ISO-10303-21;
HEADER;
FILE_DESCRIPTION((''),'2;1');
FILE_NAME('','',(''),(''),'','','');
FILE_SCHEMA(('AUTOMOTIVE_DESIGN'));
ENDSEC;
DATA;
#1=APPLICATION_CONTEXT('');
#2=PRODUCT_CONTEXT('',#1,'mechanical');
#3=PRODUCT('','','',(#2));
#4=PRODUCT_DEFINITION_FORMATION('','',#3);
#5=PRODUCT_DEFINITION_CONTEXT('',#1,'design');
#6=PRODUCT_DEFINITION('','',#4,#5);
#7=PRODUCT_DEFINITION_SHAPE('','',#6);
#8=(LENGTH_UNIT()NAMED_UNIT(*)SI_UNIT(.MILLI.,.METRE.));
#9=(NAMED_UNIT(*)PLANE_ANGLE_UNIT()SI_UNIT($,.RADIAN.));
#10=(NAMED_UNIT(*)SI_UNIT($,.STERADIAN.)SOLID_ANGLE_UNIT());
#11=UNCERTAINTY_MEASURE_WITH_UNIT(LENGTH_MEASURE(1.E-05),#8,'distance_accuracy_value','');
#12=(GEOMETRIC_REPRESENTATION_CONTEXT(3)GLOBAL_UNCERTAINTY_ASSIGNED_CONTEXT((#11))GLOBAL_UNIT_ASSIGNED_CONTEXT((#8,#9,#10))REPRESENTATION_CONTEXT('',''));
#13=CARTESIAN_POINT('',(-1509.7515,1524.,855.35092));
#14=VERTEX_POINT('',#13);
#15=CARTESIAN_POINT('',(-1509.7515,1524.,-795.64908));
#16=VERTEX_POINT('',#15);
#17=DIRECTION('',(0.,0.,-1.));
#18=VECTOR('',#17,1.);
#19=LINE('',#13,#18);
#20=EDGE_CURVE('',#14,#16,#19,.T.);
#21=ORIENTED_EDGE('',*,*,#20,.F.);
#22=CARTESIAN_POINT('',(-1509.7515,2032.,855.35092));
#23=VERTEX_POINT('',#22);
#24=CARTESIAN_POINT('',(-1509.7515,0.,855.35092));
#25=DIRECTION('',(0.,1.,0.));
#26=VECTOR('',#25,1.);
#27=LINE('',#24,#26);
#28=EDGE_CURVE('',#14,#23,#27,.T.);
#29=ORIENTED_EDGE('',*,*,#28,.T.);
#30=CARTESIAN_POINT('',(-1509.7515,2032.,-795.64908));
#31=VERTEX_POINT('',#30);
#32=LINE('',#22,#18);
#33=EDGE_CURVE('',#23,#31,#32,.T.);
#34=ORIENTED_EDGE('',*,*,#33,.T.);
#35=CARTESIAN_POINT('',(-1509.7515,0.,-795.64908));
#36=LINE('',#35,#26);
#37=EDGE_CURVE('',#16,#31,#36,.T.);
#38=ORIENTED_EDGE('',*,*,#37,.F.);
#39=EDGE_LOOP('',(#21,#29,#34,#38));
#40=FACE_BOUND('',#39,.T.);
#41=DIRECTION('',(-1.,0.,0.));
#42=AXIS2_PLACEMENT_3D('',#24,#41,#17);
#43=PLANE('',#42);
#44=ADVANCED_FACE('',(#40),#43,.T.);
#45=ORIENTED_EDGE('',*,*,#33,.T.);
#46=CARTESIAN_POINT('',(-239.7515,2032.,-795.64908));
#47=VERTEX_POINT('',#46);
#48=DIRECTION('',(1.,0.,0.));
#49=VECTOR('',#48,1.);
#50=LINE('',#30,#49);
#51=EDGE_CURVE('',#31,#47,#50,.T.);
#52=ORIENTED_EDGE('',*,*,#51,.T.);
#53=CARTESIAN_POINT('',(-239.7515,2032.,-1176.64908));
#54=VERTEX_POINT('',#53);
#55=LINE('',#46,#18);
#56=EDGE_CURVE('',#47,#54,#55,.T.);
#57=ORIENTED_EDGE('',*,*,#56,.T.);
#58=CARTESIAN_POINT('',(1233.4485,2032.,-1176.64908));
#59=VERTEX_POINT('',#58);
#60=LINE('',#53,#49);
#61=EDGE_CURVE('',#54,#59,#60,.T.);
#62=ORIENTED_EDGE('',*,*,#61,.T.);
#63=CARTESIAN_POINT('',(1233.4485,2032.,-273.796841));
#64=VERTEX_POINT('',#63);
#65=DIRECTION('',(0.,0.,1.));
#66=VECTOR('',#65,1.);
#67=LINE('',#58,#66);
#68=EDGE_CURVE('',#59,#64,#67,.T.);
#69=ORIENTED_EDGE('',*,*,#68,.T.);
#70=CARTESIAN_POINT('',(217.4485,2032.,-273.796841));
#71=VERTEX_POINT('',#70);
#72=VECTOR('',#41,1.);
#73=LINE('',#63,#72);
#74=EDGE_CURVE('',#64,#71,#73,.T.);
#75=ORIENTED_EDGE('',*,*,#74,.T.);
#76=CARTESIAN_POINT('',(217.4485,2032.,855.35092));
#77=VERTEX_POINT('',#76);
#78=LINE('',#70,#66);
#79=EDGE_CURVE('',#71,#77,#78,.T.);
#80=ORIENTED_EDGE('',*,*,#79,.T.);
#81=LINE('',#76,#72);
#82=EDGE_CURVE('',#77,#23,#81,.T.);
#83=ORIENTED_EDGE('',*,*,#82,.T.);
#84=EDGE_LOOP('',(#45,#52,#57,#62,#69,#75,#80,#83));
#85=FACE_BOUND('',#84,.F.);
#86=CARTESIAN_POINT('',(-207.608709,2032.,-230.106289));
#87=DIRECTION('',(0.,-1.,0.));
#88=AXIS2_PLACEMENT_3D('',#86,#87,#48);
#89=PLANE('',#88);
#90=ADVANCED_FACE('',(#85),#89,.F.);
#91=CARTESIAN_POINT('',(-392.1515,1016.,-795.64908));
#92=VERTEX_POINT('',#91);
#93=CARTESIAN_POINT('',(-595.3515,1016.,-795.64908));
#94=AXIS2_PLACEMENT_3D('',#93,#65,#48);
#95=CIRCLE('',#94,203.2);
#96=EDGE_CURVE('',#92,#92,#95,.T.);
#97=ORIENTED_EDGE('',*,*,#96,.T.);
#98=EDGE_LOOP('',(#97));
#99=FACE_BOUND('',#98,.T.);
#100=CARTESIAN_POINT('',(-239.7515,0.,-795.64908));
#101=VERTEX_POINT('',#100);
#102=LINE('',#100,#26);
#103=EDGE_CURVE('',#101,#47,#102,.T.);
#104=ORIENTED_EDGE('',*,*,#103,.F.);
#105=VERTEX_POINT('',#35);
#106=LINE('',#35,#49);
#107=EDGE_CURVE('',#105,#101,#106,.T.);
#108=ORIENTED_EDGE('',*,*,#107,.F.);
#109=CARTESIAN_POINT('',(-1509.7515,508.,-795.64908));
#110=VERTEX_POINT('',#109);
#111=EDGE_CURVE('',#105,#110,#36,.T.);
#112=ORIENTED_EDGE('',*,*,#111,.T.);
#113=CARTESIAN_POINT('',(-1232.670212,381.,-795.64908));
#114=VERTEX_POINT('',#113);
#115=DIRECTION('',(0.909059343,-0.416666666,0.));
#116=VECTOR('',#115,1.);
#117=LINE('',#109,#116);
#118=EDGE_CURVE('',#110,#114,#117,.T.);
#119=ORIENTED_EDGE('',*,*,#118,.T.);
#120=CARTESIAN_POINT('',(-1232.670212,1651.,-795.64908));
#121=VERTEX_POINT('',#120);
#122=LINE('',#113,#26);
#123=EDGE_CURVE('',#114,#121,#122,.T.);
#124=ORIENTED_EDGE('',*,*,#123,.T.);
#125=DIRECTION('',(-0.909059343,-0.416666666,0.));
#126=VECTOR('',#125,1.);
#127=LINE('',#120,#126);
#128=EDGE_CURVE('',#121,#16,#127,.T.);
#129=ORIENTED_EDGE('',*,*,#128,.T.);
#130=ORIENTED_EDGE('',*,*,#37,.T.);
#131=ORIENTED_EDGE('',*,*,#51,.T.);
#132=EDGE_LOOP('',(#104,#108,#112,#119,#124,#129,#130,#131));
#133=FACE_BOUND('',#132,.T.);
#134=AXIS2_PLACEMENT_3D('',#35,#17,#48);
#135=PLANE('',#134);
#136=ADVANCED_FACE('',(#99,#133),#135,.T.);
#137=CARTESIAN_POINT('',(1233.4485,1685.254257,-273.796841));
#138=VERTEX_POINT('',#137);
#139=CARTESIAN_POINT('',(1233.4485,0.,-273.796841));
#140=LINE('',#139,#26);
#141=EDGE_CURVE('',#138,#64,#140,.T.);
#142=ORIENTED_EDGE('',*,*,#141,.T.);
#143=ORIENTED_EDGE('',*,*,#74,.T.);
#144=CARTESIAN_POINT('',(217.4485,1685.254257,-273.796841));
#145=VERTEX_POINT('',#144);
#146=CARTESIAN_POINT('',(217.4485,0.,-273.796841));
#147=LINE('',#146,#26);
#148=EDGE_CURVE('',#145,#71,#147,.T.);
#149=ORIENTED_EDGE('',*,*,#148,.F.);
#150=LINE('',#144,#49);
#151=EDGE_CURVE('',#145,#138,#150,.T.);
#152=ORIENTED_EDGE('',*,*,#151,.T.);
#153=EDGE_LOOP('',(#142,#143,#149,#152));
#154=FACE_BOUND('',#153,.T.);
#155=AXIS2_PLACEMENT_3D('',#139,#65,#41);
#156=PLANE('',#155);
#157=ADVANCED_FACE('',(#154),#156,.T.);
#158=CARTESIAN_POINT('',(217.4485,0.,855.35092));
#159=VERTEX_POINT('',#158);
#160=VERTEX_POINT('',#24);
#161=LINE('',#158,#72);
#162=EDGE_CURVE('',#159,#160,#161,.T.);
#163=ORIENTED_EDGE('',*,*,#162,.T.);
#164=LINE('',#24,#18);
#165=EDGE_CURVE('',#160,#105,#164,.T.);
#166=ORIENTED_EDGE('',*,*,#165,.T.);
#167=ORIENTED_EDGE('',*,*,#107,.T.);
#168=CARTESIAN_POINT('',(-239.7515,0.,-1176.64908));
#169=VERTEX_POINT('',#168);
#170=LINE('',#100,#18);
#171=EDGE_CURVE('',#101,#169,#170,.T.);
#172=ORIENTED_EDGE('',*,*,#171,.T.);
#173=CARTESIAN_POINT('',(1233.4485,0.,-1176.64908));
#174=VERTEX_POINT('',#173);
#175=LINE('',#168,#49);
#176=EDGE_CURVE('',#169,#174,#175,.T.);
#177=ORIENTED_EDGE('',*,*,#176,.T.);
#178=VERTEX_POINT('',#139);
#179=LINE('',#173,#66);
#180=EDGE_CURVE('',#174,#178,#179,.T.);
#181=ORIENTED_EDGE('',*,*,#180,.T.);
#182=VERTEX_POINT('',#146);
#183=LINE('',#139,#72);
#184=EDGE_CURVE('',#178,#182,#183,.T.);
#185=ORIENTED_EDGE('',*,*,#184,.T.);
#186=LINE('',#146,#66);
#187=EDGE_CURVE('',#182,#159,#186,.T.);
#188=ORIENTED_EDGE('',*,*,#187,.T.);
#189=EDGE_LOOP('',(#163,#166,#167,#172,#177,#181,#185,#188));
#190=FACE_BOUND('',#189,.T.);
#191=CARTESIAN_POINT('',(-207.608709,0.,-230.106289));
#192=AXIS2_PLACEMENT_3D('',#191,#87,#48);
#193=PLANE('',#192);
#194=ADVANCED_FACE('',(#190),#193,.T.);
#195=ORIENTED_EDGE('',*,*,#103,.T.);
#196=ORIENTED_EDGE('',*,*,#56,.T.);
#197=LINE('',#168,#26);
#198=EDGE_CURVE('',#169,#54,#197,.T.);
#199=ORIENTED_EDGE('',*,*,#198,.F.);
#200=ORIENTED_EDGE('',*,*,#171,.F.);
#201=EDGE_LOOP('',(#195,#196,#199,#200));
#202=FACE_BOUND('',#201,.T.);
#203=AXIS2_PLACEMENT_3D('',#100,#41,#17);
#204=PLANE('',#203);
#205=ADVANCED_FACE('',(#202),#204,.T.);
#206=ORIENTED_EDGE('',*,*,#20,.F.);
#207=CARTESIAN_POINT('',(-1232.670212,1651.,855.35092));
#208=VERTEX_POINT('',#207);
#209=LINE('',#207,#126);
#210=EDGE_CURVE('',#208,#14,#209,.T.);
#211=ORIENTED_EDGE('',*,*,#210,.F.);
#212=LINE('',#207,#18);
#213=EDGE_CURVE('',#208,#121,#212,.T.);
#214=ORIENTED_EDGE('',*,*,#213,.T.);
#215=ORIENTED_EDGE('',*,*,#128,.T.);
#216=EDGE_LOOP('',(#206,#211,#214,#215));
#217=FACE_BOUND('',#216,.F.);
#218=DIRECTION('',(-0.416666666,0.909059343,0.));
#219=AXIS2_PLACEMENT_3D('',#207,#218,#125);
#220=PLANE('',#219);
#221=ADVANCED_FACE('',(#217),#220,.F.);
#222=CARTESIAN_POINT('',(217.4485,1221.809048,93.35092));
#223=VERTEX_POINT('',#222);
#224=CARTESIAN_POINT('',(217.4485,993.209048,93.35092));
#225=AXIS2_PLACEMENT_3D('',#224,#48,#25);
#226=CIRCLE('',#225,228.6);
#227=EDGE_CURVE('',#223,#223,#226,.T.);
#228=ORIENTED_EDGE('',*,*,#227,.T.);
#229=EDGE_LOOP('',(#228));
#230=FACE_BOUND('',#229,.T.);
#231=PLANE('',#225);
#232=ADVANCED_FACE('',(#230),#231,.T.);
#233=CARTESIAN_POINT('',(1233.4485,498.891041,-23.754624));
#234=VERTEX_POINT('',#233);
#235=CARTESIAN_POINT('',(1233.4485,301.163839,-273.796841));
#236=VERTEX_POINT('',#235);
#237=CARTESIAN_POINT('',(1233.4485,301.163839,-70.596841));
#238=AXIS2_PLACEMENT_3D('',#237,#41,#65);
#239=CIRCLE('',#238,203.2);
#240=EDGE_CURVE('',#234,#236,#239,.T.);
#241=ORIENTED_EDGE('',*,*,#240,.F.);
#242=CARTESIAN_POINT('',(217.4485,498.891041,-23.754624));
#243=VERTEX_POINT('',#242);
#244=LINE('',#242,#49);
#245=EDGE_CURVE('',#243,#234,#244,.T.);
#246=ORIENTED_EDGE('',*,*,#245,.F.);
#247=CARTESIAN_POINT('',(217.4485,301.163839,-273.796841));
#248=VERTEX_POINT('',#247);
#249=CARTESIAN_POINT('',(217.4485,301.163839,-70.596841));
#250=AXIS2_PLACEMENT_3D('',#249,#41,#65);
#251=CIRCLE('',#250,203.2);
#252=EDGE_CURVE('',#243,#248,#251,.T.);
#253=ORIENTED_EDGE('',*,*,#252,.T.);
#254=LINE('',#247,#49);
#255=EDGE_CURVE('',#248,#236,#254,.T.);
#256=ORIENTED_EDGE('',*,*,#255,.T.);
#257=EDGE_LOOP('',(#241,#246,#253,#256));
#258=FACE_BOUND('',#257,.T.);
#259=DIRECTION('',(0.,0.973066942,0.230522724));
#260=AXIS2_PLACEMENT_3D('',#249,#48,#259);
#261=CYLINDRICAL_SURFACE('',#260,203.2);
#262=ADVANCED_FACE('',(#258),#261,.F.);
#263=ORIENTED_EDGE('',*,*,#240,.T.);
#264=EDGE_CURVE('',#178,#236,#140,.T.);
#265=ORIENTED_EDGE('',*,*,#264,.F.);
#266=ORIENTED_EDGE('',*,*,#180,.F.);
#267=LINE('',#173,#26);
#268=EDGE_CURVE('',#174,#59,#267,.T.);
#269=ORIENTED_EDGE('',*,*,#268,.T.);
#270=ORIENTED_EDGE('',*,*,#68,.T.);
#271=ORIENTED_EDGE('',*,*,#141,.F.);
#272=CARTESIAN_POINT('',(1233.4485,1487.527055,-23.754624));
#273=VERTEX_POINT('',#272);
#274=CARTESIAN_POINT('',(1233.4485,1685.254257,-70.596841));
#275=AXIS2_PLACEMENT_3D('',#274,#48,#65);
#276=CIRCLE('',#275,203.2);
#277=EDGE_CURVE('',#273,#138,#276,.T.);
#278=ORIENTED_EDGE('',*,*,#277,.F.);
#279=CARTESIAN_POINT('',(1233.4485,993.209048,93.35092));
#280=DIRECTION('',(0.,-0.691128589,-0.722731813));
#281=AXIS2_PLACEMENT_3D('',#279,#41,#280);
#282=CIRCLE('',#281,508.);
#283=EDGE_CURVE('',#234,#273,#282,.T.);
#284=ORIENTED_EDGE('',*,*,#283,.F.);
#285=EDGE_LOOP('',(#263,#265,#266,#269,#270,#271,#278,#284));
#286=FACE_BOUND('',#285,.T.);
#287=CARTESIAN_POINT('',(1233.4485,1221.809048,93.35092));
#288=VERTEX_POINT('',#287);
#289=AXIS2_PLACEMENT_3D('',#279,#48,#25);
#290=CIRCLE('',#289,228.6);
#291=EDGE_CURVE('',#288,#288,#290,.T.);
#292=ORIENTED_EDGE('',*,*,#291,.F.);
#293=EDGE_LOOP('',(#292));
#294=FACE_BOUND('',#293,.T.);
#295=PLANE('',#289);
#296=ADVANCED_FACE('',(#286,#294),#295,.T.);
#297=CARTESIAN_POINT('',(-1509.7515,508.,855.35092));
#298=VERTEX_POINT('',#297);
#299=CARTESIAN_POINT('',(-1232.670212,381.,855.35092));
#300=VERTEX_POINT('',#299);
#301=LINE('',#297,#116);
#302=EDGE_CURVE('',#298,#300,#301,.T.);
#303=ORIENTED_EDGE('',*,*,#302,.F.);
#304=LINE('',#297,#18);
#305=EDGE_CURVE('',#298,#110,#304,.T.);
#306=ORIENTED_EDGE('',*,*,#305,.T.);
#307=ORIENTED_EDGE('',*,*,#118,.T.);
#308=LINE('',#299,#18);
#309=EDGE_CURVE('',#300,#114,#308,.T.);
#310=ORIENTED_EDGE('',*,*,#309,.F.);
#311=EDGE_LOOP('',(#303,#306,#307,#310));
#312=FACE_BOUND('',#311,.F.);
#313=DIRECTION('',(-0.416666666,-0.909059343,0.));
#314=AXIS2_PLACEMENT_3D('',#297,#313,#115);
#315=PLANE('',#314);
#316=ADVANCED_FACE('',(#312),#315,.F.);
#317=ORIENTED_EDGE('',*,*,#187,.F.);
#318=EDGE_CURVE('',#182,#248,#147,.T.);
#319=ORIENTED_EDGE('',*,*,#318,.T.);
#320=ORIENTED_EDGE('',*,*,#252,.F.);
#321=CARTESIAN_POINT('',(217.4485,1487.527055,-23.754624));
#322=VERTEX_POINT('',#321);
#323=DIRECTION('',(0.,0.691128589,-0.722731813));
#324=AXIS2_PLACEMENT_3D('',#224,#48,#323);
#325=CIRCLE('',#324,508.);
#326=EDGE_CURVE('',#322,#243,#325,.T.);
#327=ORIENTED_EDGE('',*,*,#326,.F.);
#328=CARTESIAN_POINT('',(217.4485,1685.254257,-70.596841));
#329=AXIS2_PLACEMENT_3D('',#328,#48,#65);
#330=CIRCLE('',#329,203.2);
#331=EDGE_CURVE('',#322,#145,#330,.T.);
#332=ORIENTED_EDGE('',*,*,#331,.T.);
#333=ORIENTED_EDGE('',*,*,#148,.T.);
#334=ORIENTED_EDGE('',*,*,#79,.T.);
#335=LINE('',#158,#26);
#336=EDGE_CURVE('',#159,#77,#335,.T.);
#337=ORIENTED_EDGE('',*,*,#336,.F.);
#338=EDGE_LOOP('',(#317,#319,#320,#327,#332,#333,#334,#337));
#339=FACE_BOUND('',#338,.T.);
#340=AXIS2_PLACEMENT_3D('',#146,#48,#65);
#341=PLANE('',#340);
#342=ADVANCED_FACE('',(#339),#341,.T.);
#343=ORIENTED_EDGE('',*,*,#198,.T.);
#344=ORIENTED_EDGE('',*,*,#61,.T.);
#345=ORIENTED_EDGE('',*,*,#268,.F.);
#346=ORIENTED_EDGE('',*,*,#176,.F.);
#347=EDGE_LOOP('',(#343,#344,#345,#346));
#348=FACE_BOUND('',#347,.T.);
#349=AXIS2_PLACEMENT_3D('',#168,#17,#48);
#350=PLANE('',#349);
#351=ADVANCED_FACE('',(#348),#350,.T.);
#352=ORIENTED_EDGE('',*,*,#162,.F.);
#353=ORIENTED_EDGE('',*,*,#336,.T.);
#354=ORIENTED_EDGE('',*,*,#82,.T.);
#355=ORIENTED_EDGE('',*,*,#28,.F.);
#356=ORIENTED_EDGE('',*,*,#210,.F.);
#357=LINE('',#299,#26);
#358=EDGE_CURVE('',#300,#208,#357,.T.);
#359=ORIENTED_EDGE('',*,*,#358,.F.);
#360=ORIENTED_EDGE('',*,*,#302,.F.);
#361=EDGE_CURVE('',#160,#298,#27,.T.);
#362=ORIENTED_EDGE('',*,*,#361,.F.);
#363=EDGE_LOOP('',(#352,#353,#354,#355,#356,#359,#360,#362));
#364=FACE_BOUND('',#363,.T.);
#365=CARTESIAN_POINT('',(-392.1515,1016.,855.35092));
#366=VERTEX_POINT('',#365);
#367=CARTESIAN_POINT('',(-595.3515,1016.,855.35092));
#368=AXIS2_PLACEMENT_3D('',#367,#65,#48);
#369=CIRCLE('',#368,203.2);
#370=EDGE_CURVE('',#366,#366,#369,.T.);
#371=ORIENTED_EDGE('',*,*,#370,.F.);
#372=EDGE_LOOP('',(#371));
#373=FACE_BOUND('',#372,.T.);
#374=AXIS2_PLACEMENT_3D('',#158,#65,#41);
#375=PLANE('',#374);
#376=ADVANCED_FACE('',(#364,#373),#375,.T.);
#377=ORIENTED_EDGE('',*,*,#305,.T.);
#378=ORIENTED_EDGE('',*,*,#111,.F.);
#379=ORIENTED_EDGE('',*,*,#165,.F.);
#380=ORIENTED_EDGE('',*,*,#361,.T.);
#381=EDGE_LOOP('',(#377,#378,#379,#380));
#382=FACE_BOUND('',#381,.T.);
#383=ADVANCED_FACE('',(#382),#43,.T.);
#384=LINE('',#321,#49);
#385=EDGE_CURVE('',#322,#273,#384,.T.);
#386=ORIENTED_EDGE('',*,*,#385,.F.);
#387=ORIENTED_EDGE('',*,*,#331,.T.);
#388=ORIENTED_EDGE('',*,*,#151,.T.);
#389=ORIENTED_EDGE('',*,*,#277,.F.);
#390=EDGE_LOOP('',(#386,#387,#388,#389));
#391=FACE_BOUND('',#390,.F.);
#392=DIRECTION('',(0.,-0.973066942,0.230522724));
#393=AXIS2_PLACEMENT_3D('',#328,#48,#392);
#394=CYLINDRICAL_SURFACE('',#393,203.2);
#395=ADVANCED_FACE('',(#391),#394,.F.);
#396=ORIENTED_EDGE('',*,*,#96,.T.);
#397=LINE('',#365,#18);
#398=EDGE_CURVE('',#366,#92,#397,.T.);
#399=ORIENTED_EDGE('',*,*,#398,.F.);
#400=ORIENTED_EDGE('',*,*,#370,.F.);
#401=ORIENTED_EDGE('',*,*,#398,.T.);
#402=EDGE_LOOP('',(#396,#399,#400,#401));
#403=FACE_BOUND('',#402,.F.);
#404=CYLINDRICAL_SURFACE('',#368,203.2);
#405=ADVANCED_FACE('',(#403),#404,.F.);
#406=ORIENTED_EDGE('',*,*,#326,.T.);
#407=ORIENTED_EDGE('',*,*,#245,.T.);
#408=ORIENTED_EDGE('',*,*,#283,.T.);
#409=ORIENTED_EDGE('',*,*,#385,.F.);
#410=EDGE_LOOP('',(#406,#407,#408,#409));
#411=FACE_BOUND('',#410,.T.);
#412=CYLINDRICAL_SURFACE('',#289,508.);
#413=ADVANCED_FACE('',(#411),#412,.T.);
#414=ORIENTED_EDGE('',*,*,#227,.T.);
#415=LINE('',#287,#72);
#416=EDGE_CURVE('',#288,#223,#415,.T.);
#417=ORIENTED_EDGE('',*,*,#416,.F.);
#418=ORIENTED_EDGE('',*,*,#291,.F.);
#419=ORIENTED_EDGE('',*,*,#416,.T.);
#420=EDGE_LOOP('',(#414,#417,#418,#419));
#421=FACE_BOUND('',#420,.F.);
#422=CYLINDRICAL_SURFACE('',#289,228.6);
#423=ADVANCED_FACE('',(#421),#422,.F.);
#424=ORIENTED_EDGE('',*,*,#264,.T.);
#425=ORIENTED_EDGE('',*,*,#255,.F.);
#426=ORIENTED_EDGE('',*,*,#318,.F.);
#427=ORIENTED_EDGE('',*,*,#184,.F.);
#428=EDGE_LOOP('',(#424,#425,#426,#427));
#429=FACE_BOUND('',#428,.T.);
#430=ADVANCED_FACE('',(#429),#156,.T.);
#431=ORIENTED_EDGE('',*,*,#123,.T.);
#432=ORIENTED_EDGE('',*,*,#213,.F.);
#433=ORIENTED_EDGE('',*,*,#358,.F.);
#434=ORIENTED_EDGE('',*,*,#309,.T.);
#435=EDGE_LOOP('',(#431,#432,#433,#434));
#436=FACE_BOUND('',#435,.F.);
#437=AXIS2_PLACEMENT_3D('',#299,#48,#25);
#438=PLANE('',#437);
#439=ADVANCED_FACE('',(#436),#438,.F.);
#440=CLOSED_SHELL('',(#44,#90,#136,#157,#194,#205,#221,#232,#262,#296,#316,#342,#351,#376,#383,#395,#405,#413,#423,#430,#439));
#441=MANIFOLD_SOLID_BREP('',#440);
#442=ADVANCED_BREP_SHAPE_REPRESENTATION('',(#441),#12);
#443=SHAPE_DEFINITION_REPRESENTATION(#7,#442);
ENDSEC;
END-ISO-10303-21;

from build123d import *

# Parameters (mm, degrees)
F1_DEPTH  = 2032
F3_DEPTH  = 1651
F4_R      = 203.2
F5_DEPTH  = 1651
F7_DEPTH  = 1016
F8_R      = 203.2
F9_R      = 203.2
F10_R     = 228.6
F11_DEPTH = 1016
F12_R     = 228.6
F13_DEPTH = 1016


with BuildPart() as f1:
    # F0 (on Front) → F1 (new body)
    with BuildSketch(Plane.XZ):
        Polygon((-239.7515, -1176.64908), (1233.4485, -1176.64908), (1233.4485, -273.796841), (217.4485, -273.796841), (217.4485, 855.35092), (-1509.7515, 855.35092), (-1509.7515, -795.64908), (-239.7515, -795.64908), align=None)
    extrude(amount=-F1_DEPTH)

    # F2 (on face) → F3 (cut)
    with BuildSketch(Plane.XY.offset(855.35092)):
        Polygon((-1232.670212, 381), (-1232.670212, 1651), (-1509.7515, 1524), (-1509.7515, 2032), (-2309.389114, 1178.267121), (-2251.436472, 691.465914), (-1509.7515, 0), (-1509.7515, 508), align=None)
    extrude(amount=-F3_DEPTH, mode=Mode.SUBTRACT)

    # F4 (on face) → F5 (cut)
    with BuildSketch(Plane.XY.offset(855.35092)):
        with Locations((-595.3515, 1016)):
            Circle(F4_R)
    extrude(amount=-F5_DEPTH, mode=Mode.SUBTRACT)

    # F6 (on face) → F7 (join)
    with BuildSketch(Plane.YZ.offset(1233.4485)):
        with BuildLine():
            ThreePointArc((485.209048, 93.35092), (993.209048, -414.64908), (1501.209048, 93.35092))
            ThreePointArc((1501.209048, 93.35092), (993.209048, 601.35092), (485.209048, 93.35092))
        make_face()
    extrude(amount=-F7_DEPTH)

    # F8
    f8_edges = [f1.edges().sort_by_distance(p)[0] for p in [
        (725.4485, 1344.302372, -273.796841),
    ]]
    fillet(f8_edges, radius=F8_R)

    # F9
    f9_edges = [f1.edges().sort_by_distance(p)[0] for p in [
        (725.4485, 642.115724, -273.796841),
    ]]
    fillet(f9_edges, radius=F9_R)

    # F10 (on face) → F11 (join)
    with BuildSketch(Plane.YZ.offset(1233.4485)):
        with Locations((993.209048, 93.35092)):
            Circle(F10_R)
    extrude(amount=-F11_DEPTH)

    # F12 (on face) → F13 (cut)
    with BuildSketch(Plane.YZ.offset(1233.4485)):
        with Locations((993.209048, 93.35092)):
            Circle(F12_R)
    extrude(amount=-F13_DEPTH, mode=Mode.SUBTRACT)


solid = f1.part
